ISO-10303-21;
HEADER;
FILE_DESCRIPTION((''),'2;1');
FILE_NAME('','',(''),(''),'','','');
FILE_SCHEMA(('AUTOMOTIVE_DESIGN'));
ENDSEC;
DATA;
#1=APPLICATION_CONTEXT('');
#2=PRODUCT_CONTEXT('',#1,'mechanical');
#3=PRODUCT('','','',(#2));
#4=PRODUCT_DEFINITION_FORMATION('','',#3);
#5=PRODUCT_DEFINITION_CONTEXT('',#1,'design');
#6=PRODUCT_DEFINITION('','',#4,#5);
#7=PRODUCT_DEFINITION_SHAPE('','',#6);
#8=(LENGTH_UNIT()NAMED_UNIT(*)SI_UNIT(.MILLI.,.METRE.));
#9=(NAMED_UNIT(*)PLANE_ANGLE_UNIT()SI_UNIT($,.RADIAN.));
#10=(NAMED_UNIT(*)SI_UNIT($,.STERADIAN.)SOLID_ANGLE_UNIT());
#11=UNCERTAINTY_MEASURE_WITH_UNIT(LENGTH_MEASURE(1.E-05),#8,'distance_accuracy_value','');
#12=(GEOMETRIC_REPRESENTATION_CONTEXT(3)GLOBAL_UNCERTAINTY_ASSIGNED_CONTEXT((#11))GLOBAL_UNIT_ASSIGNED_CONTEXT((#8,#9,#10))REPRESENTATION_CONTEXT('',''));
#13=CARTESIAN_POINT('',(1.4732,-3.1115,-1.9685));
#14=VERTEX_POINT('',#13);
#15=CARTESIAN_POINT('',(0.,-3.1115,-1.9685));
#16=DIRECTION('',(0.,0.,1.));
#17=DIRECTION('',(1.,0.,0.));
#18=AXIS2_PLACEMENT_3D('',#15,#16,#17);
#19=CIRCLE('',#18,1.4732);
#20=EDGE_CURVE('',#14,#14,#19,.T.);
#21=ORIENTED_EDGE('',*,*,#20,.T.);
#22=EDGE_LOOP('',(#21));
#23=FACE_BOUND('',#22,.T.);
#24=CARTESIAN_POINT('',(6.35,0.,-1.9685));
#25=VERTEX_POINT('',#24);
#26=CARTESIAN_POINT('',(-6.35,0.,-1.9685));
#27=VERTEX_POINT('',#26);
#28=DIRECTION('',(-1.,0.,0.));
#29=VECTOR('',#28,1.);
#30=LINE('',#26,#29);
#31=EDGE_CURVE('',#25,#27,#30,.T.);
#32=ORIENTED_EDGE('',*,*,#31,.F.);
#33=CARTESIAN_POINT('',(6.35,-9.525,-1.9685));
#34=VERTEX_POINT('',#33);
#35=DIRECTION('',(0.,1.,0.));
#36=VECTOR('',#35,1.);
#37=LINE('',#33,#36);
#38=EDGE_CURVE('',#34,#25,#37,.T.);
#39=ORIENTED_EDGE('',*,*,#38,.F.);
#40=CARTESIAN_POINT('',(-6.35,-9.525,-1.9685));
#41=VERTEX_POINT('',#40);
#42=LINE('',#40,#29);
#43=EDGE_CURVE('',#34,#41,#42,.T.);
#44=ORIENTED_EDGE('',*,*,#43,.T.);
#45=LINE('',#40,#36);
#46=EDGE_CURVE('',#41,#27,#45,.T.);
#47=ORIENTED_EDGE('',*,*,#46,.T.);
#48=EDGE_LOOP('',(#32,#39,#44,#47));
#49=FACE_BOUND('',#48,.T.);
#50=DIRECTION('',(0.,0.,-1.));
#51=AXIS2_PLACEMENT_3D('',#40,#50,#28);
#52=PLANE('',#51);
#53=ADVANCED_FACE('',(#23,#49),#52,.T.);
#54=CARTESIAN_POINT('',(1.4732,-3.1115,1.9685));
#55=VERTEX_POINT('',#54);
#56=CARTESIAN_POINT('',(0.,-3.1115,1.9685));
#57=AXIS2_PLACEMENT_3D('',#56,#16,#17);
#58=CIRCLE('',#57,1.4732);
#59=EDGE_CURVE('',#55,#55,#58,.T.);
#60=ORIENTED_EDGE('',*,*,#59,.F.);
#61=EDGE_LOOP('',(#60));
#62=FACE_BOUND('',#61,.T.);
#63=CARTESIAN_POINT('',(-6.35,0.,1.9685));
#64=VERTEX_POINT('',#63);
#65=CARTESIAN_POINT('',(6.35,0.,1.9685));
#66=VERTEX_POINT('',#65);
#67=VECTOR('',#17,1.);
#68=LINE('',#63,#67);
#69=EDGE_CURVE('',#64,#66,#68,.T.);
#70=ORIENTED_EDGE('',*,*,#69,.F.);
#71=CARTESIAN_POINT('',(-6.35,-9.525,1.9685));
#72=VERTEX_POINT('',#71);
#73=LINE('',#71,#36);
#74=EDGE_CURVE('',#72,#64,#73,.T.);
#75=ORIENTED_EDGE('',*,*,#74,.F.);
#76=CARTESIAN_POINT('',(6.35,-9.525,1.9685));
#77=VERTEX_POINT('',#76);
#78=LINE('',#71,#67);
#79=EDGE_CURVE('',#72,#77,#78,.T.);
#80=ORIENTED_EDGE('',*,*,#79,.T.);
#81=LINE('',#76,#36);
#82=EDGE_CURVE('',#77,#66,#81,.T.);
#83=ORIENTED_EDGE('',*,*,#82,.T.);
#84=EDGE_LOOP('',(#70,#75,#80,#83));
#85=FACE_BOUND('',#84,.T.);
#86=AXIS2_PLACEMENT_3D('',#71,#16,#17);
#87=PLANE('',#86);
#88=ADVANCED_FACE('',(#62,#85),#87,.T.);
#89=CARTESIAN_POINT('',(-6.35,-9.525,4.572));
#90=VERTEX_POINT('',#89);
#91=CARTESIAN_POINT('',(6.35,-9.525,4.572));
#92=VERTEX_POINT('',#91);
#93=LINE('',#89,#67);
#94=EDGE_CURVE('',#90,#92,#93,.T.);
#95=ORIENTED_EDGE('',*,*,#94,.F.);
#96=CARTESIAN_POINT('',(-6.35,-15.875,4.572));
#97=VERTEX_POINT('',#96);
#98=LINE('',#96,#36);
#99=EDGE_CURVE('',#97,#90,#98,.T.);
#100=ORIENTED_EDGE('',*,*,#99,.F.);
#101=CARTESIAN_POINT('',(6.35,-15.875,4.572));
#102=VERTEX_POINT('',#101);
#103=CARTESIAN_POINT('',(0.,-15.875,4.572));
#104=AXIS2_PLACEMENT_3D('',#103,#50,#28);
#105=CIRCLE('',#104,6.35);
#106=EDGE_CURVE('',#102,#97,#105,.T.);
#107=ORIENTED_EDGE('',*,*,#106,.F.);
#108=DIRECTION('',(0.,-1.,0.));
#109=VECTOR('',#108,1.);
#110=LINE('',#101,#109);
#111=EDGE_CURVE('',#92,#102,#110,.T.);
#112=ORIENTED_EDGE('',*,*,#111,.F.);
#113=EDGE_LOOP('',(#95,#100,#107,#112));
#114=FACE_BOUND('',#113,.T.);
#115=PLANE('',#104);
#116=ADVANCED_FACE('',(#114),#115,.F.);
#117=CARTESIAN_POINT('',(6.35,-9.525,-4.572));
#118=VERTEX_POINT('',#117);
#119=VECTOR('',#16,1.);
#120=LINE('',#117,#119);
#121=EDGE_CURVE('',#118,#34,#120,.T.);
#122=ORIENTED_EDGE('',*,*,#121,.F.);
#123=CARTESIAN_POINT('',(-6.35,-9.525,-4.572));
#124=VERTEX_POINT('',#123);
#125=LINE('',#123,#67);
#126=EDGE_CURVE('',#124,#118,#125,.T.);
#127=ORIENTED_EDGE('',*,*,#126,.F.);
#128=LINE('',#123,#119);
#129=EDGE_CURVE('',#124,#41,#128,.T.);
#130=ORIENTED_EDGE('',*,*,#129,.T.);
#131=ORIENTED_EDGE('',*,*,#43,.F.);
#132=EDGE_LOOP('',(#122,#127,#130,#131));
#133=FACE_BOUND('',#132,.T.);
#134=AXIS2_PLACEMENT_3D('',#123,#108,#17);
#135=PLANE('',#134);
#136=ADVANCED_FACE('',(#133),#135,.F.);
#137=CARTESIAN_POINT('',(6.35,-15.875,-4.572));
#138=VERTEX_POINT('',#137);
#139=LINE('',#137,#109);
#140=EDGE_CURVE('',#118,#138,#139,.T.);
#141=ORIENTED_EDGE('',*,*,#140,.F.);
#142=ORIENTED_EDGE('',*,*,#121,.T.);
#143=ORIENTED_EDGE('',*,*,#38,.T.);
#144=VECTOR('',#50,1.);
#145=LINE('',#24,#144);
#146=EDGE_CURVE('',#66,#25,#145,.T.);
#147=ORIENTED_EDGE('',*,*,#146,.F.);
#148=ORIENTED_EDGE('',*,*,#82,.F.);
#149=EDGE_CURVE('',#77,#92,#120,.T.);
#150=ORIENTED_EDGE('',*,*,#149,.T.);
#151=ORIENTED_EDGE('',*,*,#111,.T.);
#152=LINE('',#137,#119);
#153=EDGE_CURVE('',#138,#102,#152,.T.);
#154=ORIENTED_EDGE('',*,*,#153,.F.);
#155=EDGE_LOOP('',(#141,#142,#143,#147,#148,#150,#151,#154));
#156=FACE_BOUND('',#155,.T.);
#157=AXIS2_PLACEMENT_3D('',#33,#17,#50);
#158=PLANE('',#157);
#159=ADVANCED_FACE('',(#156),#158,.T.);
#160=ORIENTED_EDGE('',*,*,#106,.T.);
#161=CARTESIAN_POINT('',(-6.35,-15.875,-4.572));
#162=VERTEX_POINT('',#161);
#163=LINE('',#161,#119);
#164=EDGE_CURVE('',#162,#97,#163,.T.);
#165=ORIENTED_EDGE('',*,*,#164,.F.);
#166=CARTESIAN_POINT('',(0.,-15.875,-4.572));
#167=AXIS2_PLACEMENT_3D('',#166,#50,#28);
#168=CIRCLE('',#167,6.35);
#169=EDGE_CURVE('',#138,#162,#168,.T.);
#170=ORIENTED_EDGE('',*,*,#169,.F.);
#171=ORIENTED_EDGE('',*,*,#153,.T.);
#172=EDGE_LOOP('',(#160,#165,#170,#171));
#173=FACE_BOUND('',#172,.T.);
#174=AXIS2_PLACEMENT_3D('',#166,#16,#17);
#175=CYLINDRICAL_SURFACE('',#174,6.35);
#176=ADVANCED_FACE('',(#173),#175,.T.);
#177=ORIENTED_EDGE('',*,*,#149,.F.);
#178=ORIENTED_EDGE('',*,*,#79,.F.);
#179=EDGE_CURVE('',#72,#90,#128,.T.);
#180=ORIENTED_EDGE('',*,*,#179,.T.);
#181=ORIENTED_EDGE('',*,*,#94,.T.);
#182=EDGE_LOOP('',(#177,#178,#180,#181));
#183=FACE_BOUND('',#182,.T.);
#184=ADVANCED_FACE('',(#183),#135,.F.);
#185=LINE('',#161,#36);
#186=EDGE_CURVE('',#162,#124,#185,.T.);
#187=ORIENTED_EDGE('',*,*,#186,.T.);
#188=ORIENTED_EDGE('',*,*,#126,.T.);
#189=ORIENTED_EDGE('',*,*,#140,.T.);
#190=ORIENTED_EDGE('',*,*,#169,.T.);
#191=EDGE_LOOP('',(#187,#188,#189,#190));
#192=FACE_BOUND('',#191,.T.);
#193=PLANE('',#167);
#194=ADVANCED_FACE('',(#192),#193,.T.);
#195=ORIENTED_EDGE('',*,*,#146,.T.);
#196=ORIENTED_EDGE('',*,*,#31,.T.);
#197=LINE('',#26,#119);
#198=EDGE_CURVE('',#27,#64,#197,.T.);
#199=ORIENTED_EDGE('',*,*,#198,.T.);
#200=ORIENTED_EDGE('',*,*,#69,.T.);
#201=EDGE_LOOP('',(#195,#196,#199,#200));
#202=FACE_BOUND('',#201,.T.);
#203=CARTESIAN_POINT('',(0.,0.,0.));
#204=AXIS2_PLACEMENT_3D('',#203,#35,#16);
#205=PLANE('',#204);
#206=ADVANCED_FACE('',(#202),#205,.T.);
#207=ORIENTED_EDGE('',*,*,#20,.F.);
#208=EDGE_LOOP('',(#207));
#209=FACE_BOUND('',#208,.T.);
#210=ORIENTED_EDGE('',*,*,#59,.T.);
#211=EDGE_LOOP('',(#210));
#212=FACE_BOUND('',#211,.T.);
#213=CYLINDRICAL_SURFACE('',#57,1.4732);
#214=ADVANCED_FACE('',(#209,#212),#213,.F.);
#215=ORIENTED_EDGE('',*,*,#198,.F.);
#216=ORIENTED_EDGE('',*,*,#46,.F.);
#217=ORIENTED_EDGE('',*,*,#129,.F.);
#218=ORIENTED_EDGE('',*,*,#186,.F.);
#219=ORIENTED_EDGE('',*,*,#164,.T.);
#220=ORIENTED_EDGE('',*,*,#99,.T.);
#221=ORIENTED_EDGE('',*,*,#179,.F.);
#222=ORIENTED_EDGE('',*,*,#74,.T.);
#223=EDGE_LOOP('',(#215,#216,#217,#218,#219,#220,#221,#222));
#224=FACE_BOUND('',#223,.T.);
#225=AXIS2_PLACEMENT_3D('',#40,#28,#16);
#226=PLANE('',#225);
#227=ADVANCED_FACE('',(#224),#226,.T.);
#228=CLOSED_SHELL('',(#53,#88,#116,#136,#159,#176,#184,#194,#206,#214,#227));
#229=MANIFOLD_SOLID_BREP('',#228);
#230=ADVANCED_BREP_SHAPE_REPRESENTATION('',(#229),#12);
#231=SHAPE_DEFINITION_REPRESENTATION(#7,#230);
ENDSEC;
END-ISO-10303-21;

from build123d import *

# Parameters (mm, degrees)
SKETCH1_W             = 12.7
SKETCH1_H             = 3.937
BOSS_EXTRUDE1_DEPTH   = 9.525
F_4_CLEARANCE_HOLE1_D = 2.9464
BOSS_EXTRUDE3_DEPTH   = 9.144


with BuildPart() as part:
    # Sketch1 → Boss-Extrude1 (new body)
    with BuildSketch(Plane(origin=(0, 0, 0), x_dir=(1, 0, 0), z_dir=(0, 1, 0))):
        Rectangle(SKETCH1_W, SKETCH1_H)
    extrude(amount=-BOSS_EXTRUDE1_DEPTH)

    # #4 Clearance Hole1 (through all)
    with Locations(Plane.XY.offset(1.9685)):
        with Locations((0, -3.1115)):
            Hole(F_4_CLEARANCE_HOLE1_D / 2)

    # Sketch8 → Boss-Extrude3 (add)
    with BuildSketch(Plane(origin=(-1.778, 0, 4.572), x_dir=(-1, 0, 0), z_dir=(0, 0, -1))):
        with BuildLine():
            Line((4.572, -15.875), (4.572, -9.525))
            Line((4.572, -9.525), (-8.128, -9.525))
            Line((-8.128, -9.525), (-8.128, -15.875))
            ThreePointArc((-8.128, -15.875), (-1.778, -22.225), (4.572, -15.875))
        make_face()
    extrude(amount=BOSS_EXTRUDE3_DEPTH)


solid = part.part
